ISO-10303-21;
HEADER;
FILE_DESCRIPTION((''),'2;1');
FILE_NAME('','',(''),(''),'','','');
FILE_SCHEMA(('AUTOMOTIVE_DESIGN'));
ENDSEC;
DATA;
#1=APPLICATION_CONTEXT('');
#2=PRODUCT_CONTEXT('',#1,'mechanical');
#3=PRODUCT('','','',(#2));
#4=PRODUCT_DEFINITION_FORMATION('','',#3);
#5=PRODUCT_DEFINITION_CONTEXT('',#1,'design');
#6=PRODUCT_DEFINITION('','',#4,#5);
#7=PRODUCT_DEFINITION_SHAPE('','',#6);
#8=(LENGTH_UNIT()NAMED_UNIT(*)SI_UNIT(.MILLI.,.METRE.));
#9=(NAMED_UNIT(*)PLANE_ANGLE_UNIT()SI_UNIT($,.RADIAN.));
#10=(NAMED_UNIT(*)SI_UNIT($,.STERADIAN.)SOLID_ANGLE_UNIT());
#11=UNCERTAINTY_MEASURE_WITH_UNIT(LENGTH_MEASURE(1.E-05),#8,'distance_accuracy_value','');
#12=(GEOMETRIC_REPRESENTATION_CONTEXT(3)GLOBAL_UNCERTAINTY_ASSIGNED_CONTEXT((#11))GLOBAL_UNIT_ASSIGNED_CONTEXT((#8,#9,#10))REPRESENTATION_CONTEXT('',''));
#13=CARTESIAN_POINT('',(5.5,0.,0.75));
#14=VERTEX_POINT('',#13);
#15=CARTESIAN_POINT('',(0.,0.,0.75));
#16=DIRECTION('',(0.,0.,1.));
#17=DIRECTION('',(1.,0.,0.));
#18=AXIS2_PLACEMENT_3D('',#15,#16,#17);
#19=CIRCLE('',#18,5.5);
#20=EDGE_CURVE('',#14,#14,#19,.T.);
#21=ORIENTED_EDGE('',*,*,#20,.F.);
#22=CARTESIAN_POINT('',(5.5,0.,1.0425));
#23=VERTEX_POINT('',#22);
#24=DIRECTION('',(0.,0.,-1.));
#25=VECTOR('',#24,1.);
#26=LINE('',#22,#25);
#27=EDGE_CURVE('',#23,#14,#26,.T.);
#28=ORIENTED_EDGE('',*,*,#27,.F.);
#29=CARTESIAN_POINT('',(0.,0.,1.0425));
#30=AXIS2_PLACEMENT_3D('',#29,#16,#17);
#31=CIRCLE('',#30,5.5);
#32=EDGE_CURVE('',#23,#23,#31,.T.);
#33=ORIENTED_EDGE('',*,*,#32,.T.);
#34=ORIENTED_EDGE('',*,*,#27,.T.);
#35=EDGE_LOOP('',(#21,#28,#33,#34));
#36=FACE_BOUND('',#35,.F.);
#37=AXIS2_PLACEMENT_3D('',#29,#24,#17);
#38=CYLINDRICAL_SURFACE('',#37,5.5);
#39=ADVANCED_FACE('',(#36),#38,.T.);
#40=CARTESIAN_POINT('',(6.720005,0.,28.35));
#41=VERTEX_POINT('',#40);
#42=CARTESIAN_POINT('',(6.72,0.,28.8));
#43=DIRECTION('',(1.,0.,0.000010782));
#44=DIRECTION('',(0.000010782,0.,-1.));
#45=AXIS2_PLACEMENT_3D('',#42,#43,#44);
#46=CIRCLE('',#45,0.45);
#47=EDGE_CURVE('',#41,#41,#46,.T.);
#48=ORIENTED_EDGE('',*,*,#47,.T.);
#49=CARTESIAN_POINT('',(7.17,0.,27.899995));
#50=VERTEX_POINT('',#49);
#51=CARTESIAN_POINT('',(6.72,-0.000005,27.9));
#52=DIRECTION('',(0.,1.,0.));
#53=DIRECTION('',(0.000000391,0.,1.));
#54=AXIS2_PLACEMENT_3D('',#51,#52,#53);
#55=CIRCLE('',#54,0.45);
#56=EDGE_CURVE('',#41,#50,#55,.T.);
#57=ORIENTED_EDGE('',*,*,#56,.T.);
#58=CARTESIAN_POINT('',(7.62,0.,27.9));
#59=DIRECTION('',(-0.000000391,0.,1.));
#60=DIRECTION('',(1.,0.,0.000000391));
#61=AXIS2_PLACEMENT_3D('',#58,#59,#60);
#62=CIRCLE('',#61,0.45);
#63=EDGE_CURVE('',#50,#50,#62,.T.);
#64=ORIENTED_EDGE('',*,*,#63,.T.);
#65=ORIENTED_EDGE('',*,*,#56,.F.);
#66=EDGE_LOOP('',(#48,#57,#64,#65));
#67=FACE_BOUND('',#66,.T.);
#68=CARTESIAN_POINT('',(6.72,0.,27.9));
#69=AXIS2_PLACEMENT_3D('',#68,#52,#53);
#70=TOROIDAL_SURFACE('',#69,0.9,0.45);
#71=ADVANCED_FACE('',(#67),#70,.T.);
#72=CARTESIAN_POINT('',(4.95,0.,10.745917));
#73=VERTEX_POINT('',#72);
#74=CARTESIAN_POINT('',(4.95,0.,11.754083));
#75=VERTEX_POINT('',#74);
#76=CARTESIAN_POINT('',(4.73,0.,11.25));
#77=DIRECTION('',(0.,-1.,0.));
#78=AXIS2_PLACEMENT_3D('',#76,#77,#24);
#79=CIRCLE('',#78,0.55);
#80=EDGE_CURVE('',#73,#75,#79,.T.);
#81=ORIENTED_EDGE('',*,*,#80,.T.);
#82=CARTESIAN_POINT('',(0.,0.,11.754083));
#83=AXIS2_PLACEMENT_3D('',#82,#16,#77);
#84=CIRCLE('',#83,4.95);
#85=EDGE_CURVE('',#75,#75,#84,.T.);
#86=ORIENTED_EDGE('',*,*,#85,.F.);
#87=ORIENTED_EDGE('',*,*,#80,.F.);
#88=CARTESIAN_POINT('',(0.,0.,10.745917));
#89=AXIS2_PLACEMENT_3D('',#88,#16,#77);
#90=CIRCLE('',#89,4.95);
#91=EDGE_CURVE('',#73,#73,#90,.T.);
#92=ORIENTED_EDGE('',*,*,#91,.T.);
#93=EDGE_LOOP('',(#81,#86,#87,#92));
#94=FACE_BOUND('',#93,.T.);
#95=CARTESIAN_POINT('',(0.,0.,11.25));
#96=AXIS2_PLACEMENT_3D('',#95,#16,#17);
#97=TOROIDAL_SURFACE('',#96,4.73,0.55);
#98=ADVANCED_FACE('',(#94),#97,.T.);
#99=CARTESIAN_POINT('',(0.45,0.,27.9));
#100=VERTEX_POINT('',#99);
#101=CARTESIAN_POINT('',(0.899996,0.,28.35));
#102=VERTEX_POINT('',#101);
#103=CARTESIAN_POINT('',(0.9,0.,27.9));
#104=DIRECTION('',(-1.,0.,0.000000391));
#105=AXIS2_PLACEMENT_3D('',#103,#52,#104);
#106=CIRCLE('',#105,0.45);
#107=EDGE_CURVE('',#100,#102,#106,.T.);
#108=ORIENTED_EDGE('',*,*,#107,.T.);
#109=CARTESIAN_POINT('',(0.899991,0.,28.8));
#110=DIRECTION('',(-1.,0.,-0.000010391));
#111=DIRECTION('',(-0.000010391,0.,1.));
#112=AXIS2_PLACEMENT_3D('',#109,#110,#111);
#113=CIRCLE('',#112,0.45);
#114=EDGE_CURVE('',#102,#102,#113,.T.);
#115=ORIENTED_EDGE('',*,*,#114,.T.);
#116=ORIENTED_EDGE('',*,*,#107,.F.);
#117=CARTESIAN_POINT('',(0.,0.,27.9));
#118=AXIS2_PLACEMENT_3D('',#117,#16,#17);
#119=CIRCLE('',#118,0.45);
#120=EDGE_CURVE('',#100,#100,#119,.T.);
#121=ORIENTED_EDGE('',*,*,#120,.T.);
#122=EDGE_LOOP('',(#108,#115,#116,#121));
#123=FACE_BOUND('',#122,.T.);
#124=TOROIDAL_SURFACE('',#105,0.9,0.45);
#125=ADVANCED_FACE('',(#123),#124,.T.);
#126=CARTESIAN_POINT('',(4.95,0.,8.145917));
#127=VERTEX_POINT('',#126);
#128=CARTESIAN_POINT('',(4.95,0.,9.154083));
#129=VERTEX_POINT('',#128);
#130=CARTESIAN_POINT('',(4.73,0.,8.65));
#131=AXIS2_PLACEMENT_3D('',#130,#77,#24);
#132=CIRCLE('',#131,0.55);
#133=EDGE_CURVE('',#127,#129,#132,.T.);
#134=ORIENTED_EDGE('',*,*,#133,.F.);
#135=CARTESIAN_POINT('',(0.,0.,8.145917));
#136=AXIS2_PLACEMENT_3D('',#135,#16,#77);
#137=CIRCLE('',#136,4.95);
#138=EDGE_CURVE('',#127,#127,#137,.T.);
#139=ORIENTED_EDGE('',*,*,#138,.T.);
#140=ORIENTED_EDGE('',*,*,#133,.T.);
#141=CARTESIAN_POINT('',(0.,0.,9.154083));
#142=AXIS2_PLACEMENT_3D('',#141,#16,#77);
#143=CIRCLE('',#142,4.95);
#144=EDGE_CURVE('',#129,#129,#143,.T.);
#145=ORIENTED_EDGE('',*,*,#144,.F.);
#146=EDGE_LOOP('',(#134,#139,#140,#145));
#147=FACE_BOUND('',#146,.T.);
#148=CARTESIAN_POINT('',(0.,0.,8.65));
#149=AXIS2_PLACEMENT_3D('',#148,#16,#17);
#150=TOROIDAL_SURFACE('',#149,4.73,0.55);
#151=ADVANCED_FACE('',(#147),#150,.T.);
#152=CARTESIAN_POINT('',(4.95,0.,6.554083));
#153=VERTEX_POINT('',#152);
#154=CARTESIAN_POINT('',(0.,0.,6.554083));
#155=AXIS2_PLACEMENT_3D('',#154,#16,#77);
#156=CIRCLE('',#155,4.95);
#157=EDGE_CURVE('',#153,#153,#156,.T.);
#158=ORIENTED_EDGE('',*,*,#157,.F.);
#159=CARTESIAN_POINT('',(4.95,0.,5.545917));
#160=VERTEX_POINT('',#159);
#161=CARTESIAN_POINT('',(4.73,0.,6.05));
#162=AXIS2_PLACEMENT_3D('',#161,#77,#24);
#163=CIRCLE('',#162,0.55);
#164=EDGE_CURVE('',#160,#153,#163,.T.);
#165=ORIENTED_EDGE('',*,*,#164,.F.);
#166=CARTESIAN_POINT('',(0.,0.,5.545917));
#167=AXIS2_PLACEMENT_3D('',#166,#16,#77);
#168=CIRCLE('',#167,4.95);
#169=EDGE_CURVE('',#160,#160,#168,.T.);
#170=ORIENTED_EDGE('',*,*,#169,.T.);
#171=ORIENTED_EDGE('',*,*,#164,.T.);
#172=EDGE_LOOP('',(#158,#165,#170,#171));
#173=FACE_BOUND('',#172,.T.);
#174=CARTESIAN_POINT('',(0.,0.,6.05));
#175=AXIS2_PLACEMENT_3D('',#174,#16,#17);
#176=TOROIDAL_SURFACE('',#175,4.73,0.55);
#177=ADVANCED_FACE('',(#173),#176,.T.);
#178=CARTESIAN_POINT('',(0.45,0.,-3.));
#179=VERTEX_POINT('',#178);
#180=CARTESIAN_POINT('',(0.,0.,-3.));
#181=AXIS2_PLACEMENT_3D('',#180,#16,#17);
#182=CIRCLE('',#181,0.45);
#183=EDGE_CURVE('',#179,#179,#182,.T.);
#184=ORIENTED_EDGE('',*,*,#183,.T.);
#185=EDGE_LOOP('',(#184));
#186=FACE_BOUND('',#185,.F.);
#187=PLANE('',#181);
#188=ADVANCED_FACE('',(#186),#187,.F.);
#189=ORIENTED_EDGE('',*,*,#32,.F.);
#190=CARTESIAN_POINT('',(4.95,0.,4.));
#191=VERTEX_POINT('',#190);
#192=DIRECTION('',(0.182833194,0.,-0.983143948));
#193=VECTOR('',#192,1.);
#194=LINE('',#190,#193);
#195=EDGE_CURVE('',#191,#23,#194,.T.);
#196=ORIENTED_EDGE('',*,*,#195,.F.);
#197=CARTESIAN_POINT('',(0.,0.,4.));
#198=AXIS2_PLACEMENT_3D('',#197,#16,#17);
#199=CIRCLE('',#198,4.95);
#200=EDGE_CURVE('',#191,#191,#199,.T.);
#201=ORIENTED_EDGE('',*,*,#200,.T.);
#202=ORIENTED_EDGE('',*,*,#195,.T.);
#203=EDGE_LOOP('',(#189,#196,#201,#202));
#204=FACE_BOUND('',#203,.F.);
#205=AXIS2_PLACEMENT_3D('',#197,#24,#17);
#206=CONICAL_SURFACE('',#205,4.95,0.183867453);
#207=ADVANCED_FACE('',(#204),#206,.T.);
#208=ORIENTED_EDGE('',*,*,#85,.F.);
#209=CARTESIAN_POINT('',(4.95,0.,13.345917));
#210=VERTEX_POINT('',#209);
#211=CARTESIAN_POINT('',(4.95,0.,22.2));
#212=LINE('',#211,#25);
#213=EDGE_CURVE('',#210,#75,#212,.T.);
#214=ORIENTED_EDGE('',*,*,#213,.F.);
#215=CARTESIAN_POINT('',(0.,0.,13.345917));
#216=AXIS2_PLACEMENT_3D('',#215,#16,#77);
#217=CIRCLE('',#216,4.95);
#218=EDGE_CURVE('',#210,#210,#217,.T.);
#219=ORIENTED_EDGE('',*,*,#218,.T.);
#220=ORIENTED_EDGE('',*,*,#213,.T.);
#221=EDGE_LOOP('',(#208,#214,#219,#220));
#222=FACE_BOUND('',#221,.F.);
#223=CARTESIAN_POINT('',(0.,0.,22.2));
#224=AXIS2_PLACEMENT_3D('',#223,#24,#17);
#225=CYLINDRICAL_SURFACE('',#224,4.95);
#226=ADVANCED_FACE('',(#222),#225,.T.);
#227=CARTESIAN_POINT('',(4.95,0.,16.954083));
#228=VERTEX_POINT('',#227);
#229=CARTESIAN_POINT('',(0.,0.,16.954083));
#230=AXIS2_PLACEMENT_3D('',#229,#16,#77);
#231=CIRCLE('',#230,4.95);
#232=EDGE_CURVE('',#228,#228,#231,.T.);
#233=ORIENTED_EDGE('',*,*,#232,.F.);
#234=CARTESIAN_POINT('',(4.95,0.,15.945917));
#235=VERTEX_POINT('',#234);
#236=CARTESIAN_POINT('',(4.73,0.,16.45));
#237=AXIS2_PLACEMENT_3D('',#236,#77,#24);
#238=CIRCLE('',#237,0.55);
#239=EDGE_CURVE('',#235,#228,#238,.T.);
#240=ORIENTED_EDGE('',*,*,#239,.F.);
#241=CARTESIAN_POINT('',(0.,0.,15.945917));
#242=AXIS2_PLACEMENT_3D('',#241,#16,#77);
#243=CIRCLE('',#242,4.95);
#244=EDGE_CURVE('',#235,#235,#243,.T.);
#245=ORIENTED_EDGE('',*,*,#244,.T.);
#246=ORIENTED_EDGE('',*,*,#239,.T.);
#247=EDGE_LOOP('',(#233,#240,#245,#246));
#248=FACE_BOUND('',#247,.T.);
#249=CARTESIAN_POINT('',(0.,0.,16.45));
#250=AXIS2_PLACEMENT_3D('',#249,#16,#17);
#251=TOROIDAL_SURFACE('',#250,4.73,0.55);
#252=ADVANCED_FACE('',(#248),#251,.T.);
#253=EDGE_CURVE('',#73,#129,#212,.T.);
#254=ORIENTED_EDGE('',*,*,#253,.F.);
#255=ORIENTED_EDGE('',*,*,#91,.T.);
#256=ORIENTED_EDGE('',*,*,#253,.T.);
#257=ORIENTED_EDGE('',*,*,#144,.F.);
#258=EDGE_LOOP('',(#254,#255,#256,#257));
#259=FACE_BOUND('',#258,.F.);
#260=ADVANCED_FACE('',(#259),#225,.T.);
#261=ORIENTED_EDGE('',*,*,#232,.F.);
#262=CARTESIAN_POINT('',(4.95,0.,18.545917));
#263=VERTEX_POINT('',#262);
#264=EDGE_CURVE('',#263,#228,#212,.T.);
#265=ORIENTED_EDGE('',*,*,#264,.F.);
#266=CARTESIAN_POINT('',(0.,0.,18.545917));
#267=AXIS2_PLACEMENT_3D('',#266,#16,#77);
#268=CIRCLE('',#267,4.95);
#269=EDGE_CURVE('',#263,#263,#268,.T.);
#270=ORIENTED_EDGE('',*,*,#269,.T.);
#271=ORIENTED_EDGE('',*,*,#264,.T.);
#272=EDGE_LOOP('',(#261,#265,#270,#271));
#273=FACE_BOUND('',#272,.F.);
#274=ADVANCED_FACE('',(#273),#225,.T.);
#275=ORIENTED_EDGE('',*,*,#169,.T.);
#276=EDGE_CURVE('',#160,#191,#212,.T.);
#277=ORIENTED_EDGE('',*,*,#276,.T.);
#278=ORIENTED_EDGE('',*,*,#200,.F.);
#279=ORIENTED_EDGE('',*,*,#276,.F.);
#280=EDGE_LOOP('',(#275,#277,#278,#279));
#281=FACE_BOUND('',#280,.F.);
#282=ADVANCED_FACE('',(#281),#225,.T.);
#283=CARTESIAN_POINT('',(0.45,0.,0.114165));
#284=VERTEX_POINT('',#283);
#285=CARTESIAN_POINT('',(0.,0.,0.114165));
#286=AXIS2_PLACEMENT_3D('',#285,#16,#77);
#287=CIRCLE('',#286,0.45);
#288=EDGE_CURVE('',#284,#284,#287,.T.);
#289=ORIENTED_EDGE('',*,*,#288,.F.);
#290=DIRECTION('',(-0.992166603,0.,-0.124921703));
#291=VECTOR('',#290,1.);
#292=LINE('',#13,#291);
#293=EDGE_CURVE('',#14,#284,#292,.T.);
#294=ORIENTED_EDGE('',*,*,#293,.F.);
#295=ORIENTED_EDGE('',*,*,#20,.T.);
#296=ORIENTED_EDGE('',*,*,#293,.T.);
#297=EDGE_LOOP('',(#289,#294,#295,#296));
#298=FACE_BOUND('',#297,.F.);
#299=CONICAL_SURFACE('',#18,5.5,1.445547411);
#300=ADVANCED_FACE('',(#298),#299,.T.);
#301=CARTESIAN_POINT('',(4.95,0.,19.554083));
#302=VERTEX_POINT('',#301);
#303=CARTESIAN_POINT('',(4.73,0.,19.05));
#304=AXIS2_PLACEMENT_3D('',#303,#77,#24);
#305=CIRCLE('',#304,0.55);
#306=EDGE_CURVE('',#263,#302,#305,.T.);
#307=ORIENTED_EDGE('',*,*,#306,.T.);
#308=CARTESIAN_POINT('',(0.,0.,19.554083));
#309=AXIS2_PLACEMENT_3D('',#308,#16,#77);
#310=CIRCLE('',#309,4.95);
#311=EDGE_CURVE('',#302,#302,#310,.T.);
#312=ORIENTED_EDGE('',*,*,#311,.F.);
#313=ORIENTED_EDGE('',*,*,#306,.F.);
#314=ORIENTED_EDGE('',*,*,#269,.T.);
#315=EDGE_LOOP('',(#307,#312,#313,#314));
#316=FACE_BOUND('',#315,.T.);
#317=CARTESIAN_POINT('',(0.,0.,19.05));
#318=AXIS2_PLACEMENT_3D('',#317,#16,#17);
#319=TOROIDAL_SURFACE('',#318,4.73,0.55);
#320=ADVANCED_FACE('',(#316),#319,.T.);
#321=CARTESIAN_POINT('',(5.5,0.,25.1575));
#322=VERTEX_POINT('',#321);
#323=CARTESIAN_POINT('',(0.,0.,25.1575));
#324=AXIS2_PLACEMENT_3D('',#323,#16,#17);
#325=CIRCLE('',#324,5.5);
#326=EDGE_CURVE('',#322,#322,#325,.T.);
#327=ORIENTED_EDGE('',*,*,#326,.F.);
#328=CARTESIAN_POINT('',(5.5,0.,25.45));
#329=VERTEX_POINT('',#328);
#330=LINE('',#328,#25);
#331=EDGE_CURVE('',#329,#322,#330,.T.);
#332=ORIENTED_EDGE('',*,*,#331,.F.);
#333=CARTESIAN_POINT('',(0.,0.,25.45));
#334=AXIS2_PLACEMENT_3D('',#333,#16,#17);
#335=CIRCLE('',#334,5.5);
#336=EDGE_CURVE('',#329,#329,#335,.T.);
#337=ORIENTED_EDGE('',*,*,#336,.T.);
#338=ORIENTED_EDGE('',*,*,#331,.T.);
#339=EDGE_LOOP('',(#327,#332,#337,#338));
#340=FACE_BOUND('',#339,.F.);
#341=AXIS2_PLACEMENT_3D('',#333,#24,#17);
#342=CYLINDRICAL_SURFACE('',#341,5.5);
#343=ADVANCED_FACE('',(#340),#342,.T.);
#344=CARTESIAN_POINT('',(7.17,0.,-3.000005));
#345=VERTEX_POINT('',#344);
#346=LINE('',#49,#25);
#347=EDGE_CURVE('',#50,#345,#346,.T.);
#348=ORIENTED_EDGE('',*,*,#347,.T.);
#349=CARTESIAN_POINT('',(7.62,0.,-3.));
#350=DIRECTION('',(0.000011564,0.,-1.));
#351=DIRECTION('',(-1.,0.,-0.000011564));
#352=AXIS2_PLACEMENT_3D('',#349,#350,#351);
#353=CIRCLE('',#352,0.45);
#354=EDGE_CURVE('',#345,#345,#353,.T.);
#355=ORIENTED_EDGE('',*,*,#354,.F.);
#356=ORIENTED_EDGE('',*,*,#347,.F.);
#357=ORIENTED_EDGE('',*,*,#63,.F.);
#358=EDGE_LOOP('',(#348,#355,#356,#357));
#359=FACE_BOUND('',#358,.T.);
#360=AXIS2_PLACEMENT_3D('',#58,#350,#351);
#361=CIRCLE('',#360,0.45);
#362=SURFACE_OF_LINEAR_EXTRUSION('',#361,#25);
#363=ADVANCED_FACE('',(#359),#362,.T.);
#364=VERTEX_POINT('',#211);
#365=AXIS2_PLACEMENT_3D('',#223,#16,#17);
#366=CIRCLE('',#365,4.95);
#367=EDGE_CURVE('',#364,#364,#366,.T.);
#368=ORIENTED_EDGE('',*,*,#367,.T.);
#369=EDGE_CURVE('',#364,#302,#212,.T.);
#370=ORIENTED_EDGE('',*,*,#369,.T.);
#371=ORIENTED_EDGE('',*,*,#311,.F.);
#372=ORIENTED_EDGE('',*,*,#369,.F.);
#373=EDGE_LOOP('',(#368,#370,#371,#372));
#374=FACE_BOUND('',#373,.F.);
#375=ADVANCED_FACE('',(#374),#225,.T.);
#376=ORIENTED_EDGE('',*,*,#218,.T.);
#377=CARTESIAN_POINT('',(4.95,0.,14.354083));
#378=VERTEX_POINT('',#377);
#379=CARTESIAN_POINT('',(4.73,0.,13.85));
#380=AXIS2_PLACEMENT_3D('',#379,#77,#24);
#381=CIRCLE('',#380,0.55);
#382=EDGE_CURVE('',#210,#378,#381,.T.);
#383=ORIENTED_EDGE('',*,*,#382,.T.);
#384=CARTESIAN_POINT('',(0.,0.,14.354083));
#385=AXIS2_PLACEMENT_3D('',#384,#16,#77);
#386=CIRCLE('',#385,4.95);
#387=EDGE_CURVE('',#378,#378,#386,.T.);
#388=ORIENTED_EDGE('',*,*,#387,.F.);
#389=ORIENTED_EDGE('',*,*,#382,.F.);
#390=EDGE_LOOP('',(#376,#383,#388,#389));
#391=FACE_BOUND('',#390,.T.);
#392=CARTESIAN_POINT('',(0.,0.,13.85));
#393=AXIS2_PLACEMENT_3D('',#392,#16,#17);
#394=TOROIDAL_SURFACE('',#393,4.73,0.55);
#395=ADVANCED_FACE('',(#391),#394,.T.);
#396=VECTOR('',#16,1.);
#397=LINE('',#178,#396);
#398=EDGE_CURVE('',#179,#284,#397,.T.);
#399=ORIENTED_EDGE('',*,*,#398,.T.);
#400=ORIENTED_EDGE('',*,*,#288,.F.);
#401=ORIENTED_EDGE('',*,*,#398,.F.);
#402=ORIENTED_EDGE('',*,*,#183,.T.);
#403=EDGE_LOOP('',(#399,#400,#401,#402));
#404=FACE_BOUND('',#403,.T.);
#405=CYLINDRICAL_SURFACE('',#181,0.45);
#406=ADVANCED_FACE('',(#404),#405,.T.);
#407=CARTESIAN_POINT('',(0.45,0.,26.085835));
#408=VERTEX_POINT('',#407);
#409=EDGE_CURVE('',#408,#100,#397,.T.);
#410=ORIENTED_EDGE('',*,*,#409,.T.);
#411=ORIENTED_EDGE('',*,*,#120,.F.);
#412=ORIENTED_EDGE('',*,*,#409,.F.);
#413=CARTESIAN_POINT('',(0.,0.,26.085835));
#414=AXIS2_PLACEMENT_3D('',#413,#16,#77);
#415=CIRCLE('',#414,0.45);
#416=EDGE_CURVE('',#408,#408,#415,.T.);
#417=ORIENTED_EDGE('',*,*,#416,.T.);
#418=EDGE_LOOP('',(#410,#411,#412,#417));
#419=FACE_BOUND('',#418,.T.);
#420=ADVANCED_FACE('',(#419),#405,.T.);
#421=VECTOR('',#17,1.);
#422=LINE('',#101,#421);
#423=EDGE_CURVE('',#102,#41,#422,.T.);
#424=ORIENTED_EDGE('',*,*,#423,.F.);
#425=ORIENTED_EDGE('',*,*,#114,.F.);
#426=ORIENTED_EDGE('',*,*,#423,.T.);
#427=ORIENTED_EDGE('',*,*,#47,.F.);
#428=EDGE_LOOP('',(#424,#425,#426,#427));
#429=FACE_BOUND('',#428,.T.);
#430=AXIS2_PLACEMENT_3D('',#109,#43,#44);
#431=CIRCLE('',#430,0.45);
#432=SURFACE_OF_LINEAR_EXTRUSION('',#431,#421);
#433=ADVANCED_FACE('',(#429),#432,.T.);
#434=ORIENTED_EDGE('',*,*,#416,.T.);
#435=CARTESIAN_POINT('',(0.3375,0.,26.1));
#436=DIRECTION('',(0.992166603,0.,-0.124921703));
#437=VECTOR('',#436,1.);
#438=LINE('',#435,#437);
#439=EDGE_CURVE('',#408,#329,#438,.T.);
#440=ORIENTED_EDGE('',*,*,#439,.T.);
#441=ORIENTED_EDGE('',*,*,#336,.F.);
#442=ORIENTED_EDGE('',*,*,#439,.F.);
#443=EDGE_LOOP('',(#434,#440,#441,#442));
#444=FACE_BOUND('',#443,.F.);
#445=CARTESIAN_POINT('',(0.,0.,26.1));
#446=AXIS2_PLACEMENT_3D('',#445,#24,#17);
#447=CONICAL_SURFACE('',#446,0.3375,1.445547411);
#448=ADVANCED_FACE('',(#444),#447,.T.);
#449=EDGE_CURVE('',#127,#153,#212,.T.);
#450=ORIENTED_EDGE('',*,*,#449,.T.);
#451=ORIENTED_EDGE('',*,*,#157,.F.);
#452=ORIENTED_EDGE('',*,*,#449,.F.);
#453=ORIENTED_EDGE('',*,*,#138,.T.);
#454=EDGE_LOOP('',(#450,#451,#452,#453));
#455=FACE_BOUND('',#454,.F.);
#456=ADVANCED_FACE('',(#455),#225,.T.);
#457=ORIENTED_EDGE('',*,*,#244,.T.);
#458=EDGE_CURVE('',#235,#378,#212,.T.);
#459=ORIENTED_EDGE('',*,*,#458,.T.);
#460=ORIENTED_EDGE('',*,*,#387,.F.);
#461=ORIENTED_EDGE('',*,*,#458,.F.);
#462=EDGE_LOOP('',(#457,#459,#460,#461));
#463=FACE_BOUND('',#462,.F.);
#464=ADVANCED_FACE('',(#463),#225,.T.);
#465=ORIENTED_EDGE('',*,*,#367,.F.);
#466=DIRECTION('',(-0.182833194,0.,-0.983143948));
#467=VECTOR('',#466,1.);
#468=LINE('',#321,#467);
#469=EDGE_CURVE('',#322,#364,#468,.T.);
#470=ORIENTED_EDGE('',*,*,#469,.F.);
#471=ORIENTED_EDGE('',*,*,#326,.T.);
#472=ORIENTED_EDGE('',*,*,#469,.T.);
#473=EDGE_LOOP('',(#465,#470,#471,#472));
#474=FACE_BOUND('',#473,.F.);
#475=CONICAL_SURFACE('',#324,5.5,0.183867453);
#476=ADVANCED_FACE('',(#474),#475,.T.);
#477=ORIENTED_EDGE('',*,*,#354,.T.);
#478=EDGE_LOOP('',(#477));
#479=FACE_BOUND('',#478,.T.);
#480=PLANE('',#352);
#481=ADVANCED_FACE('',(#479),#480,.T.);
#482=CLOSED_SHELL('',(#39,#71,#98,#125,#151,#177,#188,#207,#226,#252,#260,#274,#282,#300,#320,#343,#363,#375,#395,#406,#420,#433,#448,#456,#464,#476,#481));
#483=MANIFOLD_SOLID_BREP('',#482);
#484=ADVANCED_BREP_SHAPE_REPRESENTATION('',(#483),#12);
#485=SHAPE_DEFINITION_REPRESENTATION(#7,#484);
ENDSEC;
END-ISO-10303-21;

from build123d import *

# Parameters (mm, degrees)
SKETCH_R = 0.45


with BuildPart() as revolution:
    # Sketch002 → Revolution (revolve)
    with BuildSketch(Plane.XZ):
        Polygon((0, 0.1), (0, 26.1), (0.3375, 26.1), (5.5, 25.45), (5.5, 25.1575), (4.95, 22.2), (4.95, 4), (5.5, 1.0425), (5.5, 0.75), (0.3375, 0.1), align=None)
    revolve(axis=Axis((0, 0, 0), (0, 0, 1)))


with BuildPart() as sweep_body:
    # Sweep: sweep along a path in Sketch001
    with BuildLine(Plane.XZ) as sweep_path:
        Line((0, -3), (0, 27.9))
        ThreePointArc((0, 27.9), (0.263601, 28.536393), (0.899991, 28.8))
        Line((0.899991, 28.8), (6.72, 28.8))
        ThreePointArc((6.72, 28.8), (7.356396, 28.536396), (7.62, 27.9))
        Line((7.62, 27.9), (7.62, -3))
    # Sketch → Sweep (sweep)
    with BuildSketch(Plane.XY.offset(-2)):
        Circle(SKETCH_R)
    sweep(path=sweep_path.line)


with BuildPart() as revolution001_mp_cp:
    # Sketch003 → Revolution001 (revolve)
    with BuildSketch(Plane.XZ):
        with BuildLine():
            Line((4.4, 21.1), (4.4, 4))
            Line((4.4, 4), (4.73, 4))
            Line((4.73, 4), (4.73, 5.5))
            ThreePointArc((4.73, 5.5), (5.28, 6.05), (4.73, 6.6))
            Line((4.73, 6.6), (4.73, 8.1))
            ThreePointArc((4.73, 8.1), (5.28, 8.65), (4.73, 9.2))
            Line((4.73, 9.2), (4.73, 10.7))
            ThreePointArc((4.73, 10.7), (5.28, 11.25), (4.73, 11.8))
            Line((4.73, 11.8), (4.73, 13.3))
            ThreePointArc((4.73, 13.3), (5.28, 13.85), (4.73, 14.4))
            Line((4.73, 14.4), (4.73, 15.9))
            ThreePointArc((4.73, 15.9), (5.28, 16.45), (4.73, 17))
            Line((4.73, 17), (4.73, 18.5))
            ThreePointArc((4.73, 18.5), (5.28, 19.05), (4.73, 19.6))
            Line((4.73, 21.1), (4.73, 19.6))
            Line((4.4, 21.1), (4.73, 21.1))
        make_face()
    revolve(axis=Axis((0, 0, 0), (0, 0, 1)))

    # Revolution001_mp_cp: union Revolution, Sweep body
    add(revolution.part)
    add(sweep_body.part)


solid = revolution001_mp_cp.part
